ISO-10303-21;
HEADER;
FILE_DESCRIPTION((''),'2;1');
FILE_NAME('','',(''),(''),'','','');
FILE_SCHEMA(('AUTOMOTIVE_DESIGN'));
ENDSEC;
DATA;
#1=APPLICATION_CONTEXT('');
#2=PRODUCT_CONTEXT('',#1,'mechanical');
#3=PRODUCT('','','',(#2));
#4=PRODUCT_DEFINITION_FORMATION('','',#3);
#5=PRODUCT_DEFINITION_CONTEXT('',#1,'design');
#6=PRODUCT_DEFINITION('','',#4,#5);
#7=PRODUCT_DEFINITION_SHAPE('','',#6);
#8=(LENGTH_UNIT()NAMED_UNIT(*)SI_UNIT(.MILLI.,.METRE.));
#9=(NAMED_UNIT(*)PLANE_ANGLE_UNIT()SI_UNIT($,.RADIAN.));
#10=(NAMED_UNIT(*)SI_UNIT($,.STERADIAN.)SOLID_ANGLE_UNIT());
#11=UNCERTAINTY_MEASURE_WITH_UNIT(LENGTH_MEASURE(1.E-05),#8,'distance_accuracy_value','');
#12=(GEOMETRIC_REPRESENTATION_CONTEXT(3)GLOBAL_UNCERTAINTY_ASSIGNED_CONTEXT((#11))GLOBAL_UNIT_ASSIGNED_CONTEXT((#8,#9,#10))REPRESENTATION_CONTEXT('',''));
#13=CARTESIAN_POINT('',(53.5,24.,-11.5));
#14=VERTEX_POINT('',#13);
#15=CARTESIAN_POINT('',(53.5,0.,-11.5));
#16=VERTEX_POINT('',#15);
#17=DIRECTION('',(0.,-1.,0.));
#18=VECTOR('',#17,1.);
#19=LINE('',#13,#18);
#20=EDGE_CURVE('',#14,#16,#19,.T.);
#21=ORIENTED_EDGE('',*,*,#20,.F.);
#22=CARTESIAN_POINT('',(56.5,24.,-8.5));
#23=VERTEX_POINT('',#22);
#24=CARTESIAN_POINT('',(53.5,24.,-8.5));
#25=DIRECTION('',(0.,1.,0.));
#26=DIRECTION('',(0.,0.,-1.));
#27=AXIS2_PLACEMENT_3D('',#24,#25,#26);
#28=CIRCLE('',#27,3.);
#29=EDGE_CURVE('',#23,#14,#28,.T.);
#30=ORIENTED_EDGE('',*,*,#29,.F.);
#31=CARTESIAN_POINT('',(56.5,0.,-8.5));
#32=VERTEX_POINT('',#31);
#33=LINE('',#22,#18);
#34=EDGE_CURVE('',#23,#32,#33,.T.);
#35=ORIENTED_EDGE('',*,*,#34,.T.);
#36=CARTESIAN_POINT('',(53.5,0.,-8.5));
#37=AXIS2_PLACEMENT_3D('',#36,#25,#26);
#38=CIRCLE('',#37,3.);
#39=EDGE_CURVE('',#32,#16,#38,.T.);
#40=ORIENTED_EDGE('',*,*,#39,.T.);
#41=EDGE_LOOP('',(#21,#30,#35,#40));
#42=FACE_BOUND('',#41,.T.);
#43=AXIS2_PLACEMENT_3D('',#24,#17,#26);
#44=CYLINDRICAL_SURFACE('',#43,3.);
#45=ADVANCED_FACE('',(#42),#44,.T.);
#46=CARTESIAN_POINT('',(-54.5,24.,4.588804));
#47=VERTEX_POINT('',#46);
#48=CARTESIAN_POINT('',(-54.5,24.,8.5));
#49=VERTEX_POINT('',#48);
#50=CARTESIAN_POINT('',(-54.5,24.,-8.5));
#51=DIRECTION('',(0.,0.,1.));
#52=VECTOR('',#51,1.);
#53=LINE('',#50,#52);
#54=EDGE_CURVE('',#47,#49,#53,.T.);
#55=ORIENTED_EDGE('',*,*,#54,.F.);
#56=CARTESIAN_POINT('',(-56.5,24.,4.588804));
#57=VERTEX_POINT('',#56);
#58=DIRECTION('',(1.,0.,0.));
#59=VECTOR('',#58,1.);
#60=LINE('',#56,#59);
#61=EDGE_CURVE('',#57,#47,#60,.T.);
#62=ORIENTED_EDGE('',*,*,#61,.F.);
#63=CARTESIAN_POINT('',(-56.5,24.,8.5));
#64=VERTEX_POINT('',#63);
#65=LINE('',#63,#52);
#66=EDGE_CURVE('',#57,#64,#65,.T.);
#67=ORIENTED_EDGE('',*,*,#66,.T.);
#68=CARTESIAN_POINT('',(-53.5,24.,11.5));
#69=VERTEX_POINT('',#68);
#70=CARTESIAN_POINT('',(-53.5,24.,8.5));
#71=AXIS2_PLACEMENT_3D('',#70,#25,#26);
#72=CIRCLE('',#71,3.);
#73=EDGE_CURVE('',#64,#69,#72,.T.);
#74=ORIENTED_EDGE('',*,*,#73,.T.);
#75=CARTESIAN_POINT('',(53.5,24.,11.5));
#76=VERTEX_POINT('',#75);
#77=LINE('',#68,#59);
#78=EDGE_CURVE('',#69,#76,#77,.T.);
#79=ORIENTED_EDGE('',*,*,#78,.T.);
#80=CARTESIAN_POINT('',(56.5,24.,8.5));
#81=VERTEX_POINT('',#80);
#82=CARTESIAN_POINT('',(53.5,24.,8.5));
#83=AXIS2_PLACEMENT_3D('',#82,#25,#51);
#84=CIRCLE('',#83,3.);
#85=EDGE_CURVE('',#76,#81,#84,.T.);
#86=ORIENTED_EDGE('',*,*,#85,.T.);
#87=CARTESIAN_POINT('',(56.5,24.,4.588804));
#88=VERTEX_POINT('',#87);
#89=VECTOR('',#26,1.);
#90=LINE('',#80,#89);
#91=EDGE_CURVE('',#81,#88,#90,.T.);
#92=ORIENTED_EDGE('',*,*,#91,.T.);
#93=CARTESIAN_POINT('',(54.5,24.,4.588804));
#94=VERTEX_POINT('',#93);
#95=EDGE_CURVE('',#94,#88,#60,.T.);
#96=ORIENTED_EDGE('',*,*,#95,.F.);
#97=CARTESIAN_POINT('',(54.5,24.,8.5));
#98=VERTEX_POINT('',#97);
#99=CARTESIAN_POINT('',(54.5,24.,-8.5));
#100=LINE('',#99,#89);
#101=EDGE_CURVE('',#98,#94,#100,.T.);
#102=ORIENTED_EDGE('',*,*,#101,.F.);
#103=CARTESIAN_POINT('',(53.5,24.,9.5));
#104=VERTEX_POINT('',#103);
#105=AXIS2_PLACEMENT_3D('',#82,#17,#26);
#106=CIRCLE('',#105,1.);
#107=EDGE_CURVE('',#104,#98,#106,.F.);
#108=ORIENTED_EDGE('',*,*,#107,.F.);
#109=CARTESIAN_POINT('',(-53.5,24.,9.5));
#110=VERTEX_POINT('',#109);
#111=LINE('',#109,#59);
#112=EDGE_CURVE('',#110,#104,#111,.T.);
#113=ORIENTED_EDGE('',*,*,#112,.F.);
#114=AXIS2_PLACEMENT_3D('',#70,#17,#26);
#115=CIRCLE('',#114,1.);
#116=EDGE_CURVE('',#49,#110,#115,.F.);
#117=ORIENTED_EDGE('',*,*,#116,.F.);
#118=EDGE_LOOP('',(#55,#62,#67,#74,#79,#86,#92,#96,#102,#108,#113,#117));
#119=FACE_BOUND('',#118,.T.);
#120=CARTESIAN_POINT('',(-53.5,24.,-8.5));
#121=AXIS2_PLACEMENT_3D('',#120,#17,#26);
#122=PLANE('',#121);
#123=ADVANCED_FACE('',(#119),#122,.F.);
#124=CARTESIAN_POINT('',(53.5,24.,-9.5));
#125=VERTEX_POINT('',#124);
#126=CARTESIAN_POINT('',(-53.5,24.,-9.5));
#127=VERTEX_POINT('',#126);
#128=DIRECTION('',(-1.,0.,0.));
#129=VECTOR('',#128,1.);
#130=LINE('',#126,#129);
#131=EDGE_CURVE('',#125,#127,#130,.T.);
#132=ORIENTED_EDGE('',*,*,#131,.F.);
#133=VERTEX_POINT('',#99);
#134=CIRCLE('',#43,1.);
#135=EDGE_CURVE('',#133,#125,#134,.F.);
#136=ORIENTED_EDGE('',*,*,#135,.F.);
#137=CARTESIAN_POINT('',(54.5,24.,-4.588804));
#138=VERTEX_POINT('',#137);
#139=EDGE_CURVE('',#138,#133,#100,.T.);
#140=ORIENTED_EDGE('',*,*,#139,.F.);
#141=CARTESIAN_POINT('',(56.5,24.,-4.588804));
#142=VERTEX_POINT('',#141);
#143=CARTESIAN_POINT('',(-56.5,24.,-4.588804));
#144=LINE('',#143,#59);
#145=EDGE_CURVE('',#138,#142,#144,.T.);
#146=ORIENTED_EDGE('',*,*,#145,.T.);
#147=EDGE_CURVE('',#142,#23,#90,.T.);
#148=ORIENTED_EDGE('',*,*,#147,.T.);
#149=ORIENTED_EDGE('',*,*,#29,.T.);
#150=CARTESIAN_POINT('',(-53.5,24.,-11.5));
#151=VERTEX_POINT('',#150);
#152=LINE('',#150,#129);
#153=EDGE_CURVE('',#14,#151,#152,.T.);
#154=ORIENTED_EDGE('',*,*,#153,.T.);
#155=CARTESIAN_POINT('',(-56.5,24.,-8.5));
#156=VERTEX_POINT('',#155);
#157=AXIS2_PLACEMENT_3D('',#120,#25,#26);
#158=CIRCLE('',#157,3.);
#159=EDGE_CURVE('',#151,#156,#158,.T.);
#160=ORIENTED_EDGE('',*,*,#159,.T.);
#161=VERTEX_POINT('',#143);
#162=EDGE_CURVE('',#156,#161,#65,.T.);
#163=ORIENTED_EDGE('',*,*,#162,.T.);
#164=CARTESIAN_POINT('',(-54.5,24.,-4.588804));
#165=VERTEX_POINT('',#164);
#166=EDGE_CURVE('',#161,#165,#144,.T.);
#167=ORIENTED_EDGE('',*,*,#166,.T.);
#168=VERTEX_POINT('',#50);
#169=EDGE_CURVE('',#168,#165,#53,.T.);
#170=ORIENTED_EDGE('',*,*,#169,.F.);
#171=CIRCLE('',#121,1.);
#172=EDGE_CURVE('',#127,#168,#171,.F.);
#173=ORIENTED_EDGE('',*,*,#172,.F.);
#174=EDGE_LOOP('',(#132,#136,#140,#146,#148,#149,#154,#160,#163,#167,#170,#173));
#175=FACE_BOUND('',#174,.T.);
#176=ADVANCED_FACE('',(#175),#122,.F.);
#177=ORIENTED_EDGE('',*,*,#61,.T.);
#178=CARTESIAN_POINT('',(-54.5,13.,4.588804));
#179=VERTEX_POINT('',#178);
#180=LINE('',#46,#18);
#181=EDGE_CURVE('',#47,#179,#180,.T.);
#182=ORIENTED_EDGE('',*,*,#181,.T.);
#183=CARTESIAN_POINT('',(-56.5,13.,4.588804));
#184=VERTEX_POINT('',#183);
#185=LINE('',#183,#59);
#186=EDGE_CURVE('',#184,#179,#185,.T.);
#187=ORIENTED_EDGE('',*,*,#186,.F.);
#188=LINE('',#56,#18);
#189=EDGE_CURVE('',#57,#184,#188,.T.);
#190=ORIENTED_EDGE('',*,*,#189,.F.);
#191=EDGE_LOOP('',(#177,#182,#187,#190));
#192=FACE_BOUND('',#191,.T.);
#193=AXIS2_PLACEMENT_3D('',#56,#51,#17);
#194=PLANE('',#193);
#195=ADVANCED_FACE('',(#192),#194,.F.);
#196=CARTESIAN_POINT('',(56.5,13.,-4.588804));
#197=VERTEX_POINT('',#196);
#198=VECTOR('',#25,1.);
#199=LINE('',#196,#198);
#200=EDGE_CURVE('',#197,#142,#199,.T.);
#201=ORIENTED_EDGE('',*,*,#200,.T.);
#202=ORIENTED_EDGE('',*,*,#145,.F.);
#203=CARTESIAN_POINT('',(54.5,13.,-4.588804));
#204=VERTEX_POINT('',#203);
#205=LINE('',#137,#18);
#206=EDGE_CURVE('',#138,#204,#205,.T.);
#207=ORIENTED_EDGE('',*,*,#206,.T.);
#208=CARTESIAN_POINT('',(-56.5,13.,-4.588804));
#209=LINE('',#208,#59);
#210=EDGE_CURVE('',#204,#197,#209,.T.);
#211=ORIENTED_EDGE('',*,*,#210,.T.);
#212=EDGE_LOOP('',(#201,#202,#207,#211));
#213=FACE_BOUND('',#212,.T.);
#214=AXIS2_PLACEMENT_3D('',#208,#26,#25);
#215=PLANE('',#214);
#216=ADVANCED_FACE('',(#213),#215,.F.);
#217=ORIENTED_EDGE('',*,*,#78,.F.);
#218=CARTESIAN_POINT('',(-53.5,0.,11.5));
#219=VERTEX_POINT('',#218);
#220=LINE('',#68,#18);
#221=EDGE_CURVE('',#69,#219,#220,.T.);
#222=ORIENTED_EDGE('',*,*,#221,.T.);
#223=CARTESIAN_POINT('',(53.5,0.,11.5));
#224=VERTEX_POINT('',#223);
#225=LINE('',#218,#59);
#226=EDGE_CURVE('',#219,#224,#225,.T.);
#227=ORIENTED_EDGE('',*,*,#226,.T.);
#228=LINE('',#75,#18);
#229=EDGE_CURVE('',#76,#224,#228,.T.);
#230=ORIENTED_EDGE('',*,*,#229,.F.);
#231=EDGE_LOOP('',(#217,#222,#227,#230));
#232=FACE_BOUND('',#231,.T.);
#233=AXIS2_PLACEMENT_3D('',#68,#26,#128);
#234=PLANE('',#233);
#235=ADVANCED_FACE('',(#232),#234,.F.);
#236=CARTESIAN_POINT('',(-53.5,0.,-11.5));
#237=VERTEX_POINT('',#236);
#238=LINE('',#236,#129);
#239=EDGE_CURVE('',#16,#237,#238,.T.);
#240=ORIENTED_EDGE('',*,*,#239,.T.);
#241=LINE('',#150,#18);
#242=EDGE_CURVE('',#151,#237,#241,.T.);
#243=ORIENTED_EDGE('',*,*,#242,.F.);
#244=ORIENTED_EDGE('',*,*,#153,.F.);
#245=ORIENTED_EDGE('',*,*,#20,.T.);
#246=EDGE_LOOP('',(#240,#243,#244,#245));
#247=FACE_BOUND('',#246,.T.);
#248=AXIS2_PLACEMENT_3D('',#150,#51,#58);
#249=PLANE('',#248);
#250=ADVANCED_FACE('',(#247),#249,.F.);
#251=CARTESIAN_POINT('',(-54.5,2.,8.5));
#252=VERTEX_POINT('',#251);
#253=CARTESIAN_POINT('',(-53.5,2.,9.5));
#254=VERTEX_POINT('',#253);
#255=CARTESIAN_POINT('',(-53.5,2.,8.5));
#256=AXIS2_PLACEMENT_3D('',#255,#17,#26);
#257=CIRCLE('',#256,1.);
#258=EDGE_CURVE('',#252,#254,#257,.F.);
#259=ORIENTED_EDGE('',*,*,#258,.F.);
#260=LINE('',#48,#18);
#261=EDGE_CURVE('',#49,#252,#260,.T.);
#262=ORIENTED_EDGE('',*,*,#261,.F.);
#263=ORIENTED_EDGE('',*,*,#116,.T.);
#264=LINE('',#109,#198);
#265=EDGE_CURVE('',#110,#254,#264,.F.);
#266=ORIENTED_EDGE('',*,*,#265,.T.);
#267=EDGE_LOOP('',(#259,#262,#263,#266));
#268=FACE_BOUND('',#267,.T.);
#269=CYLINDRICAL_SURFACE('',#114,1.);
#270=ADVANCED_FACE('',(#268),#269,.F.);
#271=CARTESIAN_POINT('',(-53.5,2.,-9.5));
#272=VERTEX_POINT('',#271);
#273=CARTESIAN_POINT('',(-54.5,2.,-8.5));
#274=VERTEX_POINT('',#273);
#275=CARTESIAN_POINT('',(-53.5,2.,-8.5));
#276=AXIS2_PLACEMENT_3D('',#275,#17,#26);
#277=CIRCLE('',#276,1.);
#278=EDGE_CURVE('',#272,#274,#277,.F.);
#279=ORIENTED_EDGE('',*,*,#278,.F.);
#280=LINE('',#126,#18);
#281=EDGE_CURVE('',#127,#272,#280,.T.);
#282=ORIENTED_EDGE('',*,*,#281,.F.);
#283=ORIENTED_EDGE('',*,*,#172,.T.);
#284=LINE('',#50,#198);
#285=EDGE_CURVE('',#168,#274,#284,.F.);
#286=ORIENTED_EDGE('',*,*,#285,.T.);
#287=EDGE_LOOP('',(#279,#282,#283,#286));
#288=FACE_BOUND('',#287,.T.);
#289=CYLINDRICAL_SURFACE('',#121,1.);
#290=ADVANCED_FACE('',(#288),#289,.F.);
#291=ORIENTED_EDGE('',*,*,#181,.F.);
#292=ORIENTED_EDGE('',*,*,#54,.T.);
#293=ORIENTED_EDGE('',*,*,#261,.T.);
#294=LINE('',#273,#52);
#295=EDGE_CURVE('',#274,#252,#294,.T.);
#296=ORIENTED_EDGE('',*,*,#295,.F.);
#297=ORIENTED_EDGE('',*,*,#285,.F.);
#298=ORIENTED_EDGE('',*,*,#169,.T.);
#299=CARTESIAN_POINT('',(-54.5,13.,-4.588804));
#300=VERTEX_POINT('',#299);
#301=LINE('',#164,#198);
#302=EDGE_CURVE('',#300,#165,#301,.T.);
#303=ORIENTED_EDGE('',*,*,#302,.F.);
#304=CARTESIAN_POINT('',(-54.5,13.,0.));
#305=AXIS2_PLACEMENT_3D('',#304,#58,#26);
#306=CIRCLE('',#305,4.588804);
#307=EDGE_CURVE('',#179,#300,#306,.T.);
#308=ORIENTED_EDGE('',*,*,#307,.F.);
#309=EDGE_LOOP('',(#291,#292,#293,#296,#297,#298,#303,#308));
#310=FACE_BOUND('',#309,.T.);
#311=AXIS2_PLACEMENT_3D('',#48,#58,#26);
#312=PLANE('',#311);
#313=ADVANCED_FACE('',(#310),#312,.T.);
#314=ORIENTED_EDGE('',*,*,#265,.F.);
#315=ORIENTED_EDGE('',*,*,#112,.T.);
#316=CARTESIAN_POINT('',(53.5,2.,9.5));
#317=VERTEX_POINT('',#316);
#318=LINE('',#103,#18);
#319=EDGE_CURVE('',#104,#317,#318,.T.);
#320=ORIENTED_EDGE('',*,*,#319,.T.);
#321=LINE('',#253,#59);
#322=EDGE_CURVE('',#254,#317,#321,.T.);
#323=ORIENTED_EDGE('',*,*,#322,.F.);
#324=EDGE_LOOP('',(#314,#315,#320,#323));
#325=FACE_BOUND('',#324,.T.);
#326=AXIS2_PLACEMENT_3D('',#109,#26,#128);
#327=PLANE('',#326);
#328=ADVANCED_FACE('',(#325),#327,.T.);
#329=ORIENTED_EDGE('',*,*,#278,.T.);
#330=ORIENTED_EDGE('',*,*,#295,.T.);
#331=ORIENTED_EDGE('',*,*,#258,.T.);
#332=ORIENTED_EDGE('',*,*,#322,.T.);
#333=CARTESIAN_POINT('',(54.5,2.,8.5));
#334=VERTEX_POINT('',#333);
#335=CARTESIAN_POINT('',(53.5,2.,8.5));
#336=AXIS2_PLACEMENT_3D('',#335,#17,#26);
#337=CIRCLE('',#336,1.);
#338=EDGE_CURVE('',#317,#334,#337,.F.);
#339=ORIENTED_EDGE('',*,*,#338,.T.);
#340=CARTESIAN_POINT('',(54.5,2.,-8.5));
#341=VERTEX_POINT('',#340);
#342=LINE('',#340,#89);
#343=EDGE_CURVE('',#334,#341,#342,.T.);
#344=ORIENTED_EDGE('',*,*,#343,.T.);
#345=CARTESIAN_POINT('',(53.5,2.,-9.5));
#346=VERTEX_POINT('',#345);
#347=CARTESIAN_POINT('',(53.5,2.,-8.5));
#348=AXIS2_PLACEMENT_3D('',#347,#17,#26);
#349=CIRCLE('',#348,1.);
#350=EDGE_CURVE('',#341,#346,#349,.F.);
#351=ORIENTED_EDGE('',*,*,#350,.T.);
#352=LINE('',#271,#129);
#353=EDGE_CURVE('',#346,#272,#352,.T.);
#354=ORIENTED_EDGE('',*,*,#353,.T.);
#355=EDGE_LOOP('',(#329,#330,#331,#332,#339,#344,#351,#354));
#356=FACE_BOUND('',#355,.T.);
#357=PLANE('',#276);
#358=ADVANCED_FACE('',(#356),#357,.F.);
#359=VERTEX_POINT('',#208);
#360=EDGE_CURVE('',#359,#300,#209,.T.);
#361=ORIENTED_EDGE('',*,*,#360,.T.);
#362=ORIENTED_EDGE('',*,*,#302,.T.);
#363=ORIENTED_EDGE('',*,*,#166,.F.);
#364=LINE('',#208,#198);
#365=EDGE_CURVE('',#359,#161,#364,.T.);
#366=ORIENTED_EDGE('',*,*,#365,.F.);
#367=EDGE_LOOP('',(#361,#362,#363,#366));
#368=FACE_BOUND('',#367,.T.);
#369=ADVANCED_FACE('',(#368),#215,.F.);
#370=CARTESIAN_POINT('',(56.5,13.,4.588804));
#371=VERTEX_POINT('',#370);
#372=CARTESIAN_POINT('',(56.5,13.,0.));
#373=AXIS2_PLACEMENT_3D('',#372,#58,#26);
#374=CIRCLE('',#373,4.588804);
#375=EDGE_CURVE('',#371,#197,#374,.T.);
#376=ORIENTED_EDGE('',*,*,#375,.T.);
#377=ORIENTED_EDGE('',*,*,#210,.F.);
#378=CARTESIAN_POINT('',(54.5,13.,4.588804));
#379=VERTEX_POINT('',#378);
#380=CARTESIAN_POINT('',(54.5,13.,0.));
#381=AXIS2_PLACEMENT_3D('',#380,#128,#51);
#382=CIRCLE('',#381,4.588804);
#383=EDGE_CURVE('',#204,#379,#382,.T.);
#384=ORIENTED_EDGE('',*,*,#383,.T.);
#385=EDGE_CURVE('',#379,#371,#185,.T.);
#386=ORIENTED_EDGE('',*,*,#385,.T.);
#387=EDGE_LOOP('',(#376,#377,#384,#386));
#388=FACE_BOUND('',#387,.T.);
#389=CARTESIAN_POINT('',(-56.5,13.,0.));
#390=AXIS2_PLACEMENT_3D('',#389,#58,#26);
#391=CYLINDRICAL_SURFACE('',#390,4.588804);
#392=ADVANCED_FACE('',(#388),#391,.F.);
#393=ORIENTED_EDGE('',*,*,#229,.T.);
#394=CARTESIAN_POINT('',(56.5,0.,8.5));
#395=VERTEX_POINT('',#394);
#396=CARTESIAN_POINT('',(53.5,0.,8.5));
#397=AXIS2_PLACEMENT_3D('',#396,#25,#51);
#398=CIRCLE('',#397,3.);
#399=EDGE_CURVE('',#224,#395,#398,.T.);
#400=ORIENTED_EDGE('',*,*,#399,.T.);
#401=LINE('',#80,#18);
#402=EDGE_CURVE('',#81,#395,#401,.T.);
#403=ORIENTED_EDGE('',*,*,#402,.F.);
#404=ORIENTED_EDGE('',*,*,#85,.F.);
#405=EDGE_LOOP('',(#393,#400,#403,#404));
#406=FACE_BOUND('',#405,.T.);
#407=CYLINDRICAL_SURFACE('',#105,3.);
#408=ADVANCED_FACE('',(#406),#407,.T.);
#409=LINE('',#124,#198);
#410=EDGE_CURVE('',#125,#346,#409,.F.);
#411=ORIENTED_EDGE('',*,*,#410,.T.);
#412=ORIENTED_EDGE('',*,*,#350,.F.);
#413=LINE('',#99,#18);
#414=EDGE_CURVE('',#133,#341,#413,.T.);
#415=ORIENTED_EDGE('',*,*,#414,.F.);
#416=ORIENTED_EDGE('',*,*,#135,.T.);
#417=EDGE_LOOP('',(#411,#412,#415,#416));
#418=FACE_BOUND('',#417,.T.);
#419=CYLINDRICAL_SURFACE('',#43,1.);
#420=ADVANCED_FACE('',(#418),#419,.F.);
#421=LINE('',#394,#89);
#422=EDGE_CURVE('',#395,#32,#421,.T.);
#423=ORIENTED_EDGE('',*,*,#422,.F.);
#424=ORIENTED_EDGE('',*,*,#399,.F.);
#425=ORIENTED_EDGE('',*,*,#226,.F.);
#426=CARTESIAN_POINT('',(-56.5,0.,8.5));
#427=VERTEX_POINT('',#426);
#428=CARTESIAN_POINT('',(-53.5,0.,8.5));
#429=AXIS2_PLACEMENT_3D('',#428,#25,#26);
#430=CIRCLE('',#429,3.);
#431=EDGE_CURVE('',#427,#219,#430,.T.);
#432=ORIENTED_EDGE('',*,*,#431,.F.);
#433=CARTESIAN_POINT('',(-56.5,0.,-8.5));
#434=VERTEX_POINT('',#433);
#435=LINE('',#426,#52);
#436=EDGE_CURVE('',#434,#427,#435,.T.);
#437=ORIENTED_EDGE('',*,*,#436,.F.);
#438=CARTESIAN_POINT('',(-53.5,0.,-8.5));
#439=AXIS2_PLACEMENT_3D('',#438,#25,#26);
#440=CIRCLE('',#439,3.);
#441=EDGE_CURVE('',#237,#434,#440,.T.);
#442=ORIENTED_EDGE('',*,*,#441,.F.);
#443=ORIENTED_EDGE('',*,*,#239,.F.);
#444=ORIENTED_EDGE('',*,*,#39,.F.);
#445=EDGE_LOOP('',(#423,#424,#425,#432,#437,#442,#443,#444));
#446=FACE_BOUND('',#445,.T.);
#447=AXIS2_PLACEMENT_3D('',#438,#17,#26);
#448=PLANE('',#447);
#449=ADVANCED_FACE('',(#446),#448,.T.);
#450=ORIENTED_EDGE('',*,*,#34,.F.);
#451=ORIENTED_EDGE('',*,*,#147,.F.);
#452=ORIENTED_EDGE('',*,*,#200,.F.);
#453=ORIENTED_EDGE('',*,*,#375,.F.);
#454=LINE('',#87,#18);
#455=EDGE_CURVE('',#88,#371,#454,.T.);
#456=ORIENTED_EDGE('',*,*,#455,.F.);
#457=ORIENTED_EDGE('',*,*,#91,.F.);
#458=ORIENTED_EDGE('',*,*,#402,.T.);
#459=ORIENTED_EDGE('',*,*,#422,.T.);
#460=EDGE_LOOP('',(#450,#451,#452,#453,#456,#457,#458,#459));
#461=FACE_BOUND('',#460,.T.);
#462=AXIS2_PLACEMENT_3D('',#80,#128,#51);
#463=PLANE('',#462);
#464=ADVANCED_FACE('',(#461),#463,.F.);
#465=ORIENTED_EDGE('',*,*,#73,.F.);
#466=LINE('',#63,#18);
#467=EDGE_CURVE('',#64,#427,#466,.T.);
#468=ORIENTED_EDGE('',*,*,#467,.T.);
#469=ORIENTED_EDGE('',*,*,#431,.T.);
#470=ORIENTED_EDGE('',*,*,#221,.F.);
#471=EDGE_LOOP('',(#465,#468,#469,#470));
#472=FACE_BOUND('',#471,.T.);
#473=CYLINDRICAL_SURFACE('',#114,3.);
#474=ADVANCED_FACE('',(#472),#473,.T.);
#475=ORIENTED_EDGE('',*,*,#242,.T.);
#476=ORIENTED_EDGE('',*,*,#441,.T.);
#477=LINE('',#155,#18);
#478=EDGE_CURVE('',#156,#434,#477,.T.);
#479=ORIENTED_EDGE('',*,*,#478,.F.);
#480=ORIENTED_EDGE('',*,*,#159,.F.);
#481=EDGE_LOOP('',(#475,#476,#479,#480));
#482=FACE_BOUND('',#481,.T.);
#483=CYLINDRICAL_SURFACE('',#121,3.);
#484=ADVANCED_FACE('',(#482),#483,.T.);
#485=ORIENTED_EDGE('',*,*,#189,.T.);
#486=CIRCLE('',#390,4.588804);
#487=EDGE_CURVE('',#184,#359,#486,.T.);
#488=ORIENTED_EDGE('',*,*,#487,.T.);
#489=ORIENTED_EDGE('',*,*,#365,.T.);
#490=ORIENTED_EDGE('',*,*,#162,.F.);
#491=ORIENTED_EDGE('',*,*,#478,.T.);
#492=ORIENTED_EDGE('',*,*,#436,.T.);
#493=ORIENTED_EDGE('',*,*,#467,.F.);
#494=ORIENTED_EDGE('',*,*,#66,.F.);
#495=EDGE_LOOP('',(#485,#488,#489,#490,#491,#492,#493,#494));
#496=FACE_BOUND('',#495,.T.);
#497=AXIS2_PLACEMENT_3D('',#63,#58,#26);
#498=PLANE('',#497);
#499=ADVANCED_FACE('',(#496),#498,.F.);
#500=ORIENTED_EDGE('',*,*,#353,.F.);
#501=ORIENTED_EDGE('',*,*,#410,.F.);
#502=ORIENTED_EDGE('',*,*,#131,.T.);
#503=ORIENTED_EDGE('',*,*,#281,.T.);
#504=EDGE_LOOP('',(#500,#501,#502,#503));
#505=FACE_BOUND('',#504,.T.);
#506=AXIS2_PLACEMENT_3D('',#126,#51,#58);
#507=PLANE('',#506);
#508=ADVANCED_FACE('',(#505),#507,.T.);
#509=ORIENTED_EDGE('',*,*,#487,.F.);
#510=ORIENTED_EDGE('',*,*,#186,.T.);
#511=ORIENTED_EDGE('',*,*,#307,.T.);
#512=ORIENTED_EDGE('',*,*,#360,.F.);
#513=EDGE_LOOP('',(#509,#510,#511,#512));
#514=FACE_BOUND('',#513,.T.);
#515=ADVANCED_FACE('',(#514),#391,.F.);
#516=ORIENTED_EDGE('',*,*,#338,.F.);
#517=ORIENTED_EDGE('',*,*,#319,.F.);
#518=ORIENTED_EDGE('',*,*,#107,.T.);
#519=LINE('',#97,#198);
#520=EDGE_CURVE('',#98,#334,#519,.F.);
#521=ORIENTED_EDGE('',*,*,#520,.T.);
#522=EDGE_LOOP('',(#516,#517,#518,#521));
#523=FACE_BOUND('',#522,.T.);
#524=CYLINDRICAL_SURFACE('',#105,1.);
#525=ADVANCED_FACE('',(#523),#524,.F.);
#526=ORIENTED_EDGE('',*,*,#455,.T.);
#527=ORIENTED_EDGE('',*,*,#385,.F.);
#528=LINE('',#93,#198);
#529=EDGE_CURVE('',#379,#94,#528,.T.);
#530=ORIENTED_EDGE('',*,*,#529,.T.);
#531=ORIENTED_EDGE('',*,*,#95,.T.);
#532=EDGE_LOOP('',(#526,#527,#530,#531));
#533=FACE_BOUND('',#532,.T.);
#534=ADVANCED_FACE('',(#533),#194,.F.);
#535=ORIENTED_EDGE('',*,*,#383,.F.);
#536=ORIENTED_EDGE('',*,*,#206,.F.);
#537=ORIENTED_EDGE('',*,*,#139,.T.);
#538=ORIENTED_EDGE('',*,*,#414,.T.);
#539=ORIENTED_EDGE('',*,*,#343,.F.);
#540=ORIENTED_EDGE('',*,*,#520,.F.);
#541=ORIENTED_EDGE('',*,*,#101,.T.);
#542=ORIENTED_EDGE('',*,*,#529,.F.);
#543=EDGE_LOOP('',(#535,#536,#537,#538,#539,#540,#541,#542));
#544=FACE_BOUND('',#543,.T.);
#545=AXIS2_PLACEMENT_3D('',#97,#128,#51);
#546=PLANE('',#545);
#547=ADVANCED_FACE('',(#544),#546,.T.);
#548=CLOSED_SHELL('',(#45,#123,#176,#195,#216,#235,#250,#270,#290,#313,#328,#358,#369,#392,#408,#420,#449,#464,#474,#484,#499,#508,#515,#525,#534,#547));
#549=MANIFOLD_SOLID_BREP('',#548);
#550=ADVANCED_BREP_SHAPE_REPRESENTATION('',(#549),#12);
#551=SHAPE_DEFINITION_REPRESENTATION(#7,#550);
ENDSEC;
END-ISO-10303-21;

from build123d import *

# Parameters (mm, degrees)
BOSS_EXTRUDE1_DEPTH = 24
SHELL2_T            = -2
CUT_EXTRUDE1_DEPTH  = 117.091558694


with BuildPart() as part:
    # Sketch1 → Boss-Extrude1 (new body)
    with BuildSketch(Plane(origin=(0, 0, 0), x_dir=(1, 0, 0), z_dir=(0, 1, 0))):
        with BuildLine():
            Line((-53.5, -11.5), (53.5, -11.5))
            ThreePointArc((53.5, -11.5), (55.621320344, -10.621320344), (56.5, -8.5))
            Line((56.5, -8.5), (56.5, 8.5))
            ThreePointArc((56.5, 8.5), (55.621320344, 10.621320344), (53.5, 11.5))
            Line((53.5, 11.5), (-53.5, 11.5))
            ThreePointArc((-53.5, 11.5), (-55.621320344, 10.621320344), (-56.5, 8.5))
            Line((-56.5, 8.5), (-56.5, -8.5))
            ThreePointArc((-56.5, -8.5), (-55.621320344, -10.621320344), (-53.5, -11.5))
        make_face()
    extrude(amount=BOSS_EXTRUDE1_DEPTH)

    # Shell2
    shell2_openings = [part.faces().sort_by_distance(p)[0] for p in [
        (0, 24, 0),
    ]]
    offset(amount=SHELL2_T, openings=shell2_openings, kind=Kind.INTERSECTION)

    # Sketch4 → Cut-Extrude1 (cut, through all)
    with BuildSketch(Plane(origin=(56.5, 0, 0), x_dir=(0, 0, -1), z_dir=(1, 0, 0))):
        with BuildLine():
            Line((-4.588804417, 24), (-4.588804417, 13))
            ThreePointArc((-4.588804417, 13), (0, 8.411195583), (4.588804417, 13))
            Line((4.588804417, 13), (4.588804417, 24))
            Line((4.588804417, 24), (-4.588804417, 24))
        make_face()
    extrude(amount=-CUT_EXTRUDE1_DEPTH, mode=Mode.SUBTRACT)


solid = part.part
